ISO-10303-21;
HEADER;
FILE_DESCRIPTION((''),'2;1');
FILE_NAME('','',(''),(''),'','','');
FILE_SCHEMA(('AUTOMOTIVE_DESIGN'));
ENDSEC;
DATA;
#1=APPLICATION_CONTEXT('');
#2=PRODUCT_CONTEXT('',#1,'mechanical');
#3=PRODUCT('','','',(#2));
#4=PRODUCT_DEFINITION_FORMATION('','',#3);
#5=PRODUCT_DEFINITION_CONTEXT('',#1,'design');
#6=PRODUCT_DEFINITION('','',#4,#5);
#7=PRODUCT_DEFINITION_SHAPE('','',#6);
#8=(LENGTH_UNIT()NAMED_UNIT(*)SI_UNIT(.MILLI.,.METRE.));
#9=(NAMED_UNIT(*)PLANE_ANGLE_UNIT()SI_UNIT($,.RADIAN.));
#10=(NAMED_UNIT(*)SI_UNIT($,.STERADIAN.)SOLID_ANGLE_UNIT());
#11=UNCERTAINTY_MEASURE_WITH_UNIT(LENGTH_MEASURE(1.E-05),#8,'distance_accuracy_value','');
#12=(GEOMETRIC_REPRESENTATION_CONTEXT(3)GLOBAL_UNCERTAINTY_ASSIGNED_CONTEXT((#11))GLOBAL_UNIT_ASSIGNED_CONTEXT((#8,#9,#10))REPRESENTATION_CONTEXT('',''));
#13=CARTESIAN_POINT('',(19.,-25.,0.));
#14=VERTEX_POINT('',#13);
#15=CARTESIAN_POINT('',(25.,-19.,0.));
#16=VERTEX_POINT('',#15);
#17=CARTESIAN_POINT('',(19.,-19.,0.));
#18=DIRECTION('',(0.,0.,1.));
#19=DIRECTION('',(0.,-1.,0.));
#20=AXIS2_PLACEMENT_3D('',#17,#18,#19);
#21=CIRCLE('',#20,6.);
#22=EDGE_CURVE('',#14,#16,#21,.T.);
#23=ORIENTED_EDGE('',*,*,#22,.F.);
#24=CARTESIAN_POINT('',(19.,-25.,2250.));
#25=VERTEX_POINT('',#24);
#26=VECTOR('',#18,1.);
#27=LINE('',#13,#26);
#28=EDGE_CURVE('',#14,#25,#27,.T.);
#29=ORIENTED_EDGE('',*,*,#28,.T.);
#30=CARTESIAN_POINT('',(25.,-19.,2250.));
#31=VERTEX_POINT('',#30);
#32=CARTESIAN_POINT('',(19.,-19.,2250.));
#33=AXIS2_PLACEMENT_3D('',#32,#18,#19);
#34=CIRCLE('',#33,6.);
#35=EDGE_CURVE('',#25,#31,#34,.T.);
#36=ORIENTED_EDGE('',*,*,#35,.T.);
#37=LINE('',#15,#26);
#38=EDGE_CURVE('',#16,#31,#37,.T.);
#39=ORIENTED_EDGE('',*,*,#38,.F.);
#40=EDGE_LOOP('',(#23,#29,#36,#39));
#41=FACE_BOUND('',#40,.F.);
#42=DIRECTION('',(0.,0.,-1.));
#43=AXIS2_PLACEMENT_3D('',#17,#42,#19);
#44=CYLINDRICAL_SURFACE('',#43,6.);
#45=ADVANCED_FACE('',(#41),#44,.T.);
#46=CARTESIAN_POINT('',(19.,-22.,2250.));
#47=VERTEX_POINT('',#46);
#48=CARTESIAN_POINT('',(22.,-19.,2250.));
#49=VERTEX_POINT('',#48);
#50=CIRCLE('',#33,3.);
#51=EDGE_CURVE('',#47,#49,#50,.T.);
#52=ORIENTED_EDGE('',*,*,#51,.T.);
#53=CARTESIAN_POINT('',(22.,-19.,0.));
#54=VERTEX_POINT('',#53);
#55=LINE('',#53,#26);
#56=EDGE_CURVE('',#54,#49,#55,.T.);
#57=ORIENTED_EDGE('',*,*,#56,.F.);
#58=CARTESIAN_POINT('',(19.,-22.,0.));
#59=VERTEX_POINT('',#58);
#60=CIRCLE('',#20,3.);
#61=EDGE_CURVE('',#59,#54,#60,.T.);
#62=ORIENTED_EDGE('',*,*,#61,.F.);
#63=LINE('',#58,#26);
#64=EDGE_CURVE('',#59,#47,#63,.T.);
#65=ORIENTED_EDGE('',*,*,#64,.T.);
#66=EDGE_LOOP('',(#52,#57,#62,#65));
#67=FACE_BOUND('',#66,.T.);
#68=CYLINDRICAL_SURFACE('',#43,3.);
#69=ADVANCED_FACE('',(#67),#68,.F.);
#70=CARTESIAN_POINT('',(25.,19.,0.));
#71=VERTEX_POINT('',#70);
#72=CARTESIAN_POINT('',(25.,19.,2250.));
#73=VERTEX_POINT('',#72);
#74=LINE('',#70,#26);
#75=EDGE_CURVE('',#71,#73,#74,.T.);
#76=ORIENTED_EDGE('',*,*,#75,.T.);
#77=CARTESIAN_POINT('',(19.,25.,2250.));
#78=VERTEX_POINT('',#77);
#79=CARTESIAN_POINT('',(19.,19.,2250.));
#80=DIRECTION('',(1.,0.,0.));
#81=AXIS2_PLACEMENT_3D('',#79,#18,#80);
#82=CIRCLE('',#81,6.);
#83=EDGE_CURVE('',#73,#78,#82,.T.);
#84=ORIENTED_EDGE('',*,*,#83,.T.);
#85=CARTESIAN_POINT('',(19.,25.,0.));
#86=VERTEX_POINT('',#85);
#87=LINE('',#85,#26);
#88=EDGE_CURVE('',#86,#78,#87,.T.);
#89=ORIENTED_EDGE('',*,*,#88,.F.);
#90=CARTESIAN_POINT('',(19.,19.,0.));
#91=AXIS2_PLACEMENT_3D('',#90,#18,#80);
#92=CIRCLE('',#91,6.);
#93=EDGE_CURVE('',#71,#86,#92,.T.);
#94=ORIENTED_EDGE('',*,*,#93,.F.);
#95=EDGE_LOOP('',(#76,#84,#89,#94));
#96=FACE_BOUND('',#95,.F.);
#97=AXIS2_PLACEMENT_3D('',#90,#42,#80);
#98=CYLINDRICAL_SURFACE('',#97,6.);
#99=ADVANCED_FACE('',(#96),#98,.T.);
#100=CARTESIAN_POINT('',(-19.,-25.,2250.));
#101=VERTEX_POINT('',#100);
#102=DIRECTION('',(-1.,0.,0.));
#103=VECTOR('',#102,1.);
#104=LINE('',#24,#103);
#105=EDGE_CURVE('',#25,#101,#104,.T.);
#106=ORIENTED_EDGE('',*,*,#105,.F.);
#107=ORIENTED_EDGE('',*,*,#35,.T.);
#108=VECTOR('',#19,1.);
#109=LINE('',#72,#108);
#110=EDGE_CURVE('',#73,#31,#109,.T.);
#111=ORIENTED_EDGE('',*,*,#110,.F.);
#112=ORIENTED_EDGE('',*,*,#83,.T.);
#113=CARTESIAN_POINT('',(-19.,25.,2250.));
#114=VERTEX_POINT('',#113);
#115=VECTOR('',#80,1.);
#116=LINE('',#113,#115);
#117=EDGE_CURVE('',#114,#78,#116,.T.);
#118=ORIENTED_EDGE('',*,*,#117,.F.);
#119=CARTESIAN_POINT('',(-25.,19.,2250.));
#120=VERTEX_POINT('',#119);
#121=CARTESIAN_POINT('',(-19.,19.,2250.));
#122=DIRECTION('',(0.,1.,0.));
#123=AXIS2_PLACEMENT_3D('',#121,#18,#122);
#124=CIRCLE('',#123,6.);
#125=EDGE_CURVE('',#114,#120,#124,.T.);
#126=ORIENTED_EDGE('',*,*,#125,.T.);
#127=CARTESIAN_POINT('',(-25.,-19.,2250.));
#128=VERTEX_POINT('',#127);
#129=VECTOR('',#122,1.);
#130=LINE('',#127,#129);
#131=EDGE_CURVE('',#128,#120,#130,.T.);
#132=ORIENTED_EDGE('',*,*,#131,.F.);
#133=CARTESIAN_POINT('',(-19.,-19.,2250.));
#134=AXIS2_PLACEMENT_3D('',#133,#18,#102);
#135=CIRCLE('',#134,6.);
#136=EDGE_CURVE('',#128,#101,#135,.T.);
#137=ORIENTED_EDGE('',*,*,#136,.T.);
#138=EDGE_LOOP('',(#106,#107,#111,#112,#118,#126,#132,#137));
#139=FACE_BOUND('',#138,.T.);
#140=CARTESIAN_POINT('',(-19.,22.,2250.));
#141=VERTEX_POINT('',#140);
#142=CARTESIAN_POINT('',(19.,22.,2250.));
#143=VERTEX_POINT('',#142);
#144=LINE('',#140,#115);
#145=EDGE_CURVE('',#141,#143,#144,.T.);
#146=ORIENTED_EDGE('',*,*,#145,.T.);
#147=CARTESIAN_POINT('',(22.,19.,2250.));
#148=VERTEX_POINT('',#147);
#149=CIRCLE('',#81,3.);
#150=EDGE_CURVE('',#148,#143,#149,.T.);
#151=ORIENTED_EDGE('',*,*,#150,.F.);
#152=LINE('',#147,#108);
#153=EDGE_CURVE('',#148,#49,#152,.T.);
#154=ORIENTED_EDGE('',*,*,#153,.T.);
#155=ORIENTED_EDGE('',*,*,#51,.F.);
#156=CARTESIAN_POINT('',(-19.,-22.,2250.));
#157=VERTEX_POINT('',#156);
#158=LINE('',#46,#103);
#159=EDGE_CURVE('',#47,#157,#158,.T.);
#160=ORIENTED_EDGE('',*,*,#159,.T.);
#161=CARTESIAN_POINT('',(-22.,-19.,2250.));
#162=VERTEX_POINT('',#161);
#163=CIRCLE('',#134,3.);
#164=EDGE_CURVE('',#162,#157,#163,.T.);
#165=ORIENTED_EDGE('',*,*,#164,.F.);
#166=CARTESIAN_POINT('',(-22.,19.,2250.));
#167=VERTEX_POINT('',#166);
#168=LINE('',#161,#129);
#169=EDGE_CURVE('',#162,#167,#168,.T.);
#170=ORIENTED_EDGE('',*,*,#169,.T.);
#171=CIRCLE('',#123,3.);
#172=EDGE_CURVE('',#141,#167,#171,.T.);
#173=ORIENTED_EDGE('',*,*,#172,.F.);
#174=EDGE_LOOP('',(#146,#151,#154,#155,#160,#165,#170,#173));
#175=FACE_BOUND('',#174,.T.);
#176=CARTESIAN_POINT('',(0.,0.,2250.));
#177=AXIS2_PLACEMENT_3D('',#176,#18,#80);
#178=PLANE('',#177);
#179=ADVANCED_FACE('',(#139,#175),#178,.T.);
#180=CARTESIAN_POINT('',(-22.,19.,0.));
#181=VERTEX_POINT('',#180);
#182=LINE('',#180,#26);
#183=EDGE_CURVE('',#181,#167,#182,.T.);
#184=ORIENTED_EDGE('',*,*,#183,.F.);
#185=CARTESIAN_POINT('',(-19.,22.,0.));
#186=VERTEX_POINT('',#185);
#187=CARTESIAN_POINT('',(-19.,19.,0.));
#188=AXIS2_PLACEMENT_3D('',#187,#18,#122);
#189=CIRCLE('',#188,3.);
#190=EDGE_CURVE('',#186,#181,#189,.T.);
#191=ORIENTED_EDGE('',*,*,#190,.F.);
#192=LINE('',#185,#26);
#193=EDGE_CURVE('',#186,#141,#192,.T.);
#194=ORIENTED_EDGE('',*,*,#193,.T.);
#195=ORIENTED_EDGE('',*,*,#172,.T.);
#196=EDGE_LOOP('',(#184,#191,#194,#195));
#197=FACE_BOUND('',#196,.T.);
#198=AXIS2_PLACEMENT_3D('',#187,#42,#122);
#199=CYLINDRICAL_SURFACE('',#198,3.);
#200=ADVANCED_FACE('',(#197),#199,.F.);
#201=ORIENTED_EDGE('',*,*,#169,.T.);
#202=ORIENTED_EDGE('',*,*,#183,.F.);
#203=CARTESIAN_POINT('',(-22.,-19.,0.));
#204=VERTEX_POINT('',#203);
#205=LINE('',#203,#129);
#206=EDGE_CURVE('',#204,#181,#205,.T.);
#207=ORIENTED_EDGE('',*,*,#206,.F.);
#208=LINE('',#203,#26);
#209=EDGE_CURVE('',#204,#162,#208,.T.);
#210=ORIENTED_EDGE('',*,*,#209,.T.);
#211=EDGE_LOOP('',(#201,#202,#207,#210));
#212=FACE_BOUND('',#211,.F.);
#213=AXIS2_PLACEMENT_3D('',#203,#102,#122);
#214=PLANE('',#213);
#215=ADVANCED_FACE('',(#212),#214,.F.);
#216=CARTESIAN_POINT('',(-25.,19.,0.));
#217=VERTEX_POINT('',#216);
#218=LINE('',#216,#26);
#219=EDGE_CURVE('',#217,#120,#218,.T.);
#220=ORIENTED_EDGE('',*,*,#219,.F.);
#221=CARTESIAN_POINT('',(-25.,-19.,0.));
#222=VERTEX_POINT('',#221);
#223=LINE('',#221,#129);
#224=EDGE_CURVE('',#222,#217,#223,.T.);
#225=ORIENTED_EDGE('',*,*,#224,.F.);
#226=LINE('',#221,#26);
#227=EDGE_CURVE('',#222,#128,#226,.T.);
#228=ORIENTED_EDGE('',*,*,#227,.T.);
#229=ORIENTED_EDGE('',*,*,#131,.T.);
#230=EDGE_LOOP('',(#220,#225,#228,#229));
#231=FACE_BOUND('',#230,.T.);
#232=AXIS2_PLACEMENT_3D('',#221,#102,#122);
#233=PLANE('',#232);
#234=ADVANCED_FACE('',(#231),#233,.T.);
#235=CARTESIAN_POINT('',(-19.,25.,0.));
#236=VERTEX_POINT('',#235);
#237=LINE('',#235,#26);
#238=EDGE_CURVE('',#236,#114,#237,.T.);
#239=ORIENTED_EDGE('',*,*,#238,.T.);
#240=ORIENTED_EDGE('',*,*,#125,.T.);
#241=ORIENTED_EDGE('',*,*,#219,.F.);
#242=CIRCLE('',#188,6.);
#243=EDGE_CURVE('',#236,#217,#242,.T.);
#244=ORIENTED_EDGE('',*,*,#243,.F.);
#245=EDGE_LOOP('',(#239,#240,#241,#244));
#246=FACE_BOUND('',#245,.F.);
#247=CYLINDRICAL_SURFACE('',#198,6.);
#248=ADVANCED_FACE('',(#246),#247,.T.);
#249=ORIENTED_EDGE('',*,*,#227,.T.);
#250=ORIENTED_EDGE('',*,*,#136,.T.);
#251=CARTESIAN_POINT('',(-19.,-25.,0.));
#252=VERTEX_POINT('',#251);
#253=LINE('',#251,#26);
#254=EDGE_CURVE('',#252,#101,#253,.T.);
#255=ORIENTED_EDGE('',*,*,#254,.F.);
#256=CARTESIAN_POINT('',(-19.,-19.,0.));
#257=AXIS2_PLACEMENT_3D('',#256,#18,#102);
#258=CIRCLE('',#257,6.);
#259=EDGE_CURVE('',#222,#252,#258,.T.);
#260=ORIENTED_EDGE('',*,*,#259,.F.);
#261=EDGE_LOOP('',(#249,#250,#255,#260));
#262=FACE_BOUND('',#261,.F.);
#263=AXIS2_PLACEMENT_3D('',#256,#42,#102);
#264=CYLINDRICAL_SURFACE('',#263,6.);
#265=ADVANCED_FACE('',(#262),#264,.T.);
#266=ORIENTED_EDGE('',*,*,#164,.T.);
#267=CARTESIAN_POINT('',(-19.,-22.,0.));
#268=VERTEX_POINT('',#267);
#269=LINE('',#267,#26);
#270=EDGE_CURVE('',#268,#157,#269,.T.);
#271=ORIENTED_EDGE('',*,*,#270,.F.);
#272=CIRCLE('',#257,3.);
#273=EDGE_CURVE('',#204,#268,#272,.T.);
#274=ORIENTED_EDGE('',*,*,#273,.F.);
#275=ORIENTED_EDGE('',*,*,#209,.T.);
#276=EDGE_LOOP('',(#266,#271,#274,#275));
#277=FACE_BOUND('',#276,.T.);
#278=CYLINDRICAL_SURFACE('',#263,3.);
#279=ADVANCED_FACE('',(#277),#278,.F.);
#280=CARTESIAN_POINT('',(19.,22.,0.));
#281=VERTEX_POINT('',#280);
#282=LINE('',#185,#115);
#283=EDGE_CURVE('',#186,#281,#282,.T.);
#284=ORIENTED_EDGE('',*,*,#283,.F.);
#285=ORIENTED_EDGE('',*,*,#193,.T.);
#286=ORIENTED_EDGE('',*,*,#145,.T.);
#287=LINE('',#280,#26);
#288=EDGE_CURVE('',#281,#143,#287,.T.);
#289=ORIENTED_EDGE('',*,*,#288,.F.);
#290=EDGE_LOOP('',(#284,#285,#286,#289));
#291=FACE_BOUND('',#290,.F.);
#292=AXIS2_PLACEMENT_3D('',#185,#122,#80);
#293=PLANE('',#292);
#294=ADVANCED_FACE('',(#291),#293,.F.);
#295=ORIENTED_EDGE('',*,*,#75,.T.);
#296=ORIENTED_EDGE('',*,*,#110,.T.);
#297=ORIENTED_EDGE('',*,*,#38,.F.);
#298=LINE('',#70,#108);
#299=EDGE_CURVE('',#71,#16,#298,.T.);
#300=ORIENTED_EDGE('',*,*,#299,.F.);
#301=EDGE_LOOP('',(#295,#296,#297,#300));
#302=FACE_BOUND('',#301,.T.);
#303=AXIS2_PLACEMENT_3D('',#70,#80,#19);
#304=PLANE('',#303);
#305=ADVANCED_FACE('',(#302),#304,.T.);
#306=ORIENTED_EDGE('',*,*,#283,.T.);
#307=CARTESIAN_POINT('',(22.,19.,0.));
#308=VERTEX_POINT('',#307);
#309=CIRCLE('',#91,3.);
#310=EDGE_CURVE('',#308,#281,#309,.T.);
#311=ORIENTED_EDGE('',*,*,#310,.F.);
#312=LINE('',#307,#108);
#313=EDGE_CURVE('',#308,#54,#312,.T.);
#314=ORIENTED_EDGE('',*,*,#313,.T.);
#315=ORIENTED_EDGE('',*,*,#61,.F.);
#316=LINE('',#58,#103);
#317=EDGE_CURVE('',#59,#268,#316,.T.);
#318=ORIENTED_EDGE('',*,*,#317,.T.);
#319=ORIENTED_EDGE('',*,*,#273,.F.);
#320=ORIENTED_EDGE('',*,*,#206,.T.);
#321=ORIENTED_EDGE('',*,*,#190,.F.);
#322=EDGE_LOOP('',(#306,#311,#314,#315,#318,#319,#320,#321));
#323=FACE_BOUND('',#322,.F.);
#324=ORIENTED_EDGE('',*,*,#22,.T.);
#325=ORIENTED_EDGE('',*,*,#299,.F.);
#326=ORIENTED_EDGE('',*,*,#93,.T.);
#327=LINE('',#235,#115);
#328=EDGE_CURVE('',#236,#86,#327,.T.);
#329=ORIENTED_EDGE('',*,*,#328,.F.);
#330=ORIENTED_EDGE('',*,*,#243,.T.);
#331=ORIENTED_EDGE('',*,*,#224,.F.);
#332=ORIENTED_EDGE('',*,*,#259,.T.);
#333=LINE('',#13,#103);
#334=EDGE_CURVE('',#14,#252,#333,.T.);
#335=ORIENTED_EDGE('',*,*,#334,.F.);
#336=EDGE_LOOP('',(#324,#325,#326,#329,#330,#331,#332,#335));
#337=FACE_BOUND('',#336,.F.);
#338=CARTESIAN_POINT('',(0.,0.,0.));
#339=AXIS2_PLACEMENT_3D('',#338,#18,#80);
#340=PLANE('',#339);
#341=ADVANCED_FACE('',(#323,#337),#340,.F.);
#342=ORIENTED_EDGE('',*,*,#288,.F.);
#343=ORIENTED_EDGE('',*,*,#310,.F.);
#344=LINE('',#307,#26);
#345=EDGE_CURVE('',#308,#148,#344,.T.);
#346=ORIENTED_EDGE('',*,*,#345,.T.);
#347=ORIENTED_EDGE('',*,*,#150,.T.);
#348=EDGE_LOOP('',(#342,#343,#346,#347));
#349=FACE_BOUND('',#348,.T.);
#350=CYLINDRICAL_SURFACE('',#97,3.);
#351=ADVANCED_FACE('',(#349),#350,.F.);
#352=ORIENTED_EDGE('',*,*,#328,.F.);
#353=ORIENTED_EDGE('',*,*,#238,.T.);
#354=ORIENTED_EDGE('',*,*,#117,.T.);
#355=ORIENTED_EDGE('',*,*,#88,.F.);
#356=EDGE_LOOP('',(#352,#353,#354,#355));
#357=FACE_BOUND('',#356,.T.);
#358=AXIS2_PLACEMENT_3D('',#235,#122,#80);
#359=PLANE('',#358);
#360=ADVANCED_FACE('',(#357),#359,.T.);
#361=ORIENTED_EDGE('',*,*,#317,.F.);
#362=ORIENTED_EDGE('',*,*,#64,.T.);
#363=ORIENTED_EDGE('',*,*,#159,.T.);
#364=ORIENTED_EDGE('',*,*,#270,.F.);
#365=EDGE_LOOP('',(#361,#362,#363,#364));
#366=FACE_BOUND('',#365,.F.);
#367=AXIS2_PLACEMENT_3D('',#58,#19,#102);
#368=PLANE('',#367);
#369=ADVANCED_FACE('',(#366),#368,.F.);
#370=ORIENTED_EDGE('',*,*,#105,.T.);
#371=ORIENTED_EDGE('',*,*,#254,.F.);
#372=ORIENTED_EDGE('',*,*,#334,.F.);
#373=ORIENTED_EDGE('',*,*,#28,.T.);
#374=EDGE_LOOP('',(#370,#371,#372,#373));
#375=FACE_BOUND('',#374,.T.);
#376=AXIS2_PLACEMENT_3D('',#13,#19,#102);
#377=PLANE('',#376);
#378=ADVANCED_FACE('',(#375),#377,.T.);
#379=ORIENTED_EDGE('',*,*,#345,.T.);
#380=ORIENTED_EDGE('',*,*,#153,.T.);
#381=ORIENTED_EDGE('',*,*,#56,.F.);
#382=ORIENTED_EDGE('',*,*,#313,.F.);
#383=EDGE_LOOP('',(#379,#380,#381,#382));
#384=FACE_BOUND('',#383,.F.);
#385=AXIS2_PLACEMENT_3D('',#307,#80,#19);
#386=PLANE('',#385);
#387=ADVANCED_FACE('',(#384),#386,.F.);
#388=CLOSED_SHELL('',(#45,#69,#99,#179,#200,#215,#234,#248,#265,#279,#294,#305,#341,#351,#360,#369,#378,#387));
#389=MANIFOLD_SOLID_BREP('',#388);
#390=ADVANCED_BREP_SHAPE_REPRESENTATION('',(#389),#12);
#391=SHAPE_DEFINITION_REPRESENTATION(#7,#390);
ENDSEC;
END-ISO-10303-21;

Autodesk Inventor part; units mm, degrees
ref_plane "YZ Plane" through (0, 0, 0) normal (1, 0, 0) x (0, 1, 0)
ref_plane "Start Plane" through (0, 0, 0) normal (0, 0, 1) x (1, 0, 0)
ref_plane "End Plane" through (0, 0, 2250) normal (0, 0, 1) x (1, 0, 0)
sketch "Sketch" plane through (0, 0, 0) normal (0, 0, 1) x (1, 0, 0)
  line L0 (-25, -19) -> (-25, 19)
  line L1 (-19, 25) -> (19, 25)
  line L2 (25, 19) -> (25, -19)
  line L3 (19, -25) -> (-19, -25)
  arc A0 (-25, -19) -> (-19, -25) centre (-19, -19) ccw
  arc A1 (25, 19) -> (19, 25) centre (19, 19) ccw
  arc A2 (-19, 25) -> (-25, 19) centre (-19, 19) ccw
  arc A3 (19, -25) -> (25, -19) centre (19, -19) ccw
  arc A4 (-19, 22) -> (-22, 19) centre (-19, 19) ccw
  line L4 (-19, 22) -> (19, 22)
  arc A5 (22, 19) -> (19, 22) centre (19, 19) ccw
  line L5 (22, 19) -> (22, -19)
  arc A6 (19, -22) -> (22, -19) centre (19, -19) ccw
  line L6 (19, -22) -> (-19, -22)
  arc A7 (-22, -19) -> (-19, -22) centre (-19, -19) ccw
  line L7 (-22, -19) -> (-22, 19)
  line L8 (0, 36.7397) -> (0, -36.7397) construction
  line L9 (-36.7397, 0) -> (36.7397, 0) construction
  dimension "d7" = 6
  dimension "d9" = 50
  dimension "d11" = 50
  dimension "d12" = 3
  dimension "d15" = 25
  dimension "d16" = 25
extrude "Body" add sketch "Sketch" along normal up to surface (2250 mm away) from surface at 0
sketch "Sketch3" plane through (0, 0, 0) normal (0, 0, 1) x (1, 0, 0)
  line L0 (0, 0) -> (10, 0)
ref_plane "Work Plane3" through (0, 0, 0) normal (0, -1, 0) x (1, 0, 0)
sketch "Sketch4" plane through (0, 0, 0) normal (0, -1, 0) x (1, 0, 0)
  line L0 (-2, 0) -> (12, 0) projected
  line L1 (-2, 2250) -> (12, 2250) projected
  dimension "d18" = 2250
equation "\"d7\" = G_IR"
equation "\"d9\" = G_W"
equation "\"d11\" = G_H"
equation "\"d12\" = G_T"
equation "\"d15\" = 0.5 * d9"
equation "\"d16\" = 0.5 * d11"
equation "\"d3\" = G_L"
equation "\"G_W\" = 50"
equation "\"G_H\" = 50"
equation "\"G_T\" = 3"
equation "\"G_IR\" = 6"
equation "\"G_L\" = d18"
equation "\"G_OFFSET_START\" = 0"
equation "\"G_OFFSET_END\" = 0"
properties part number "ISO 10799-2 - 50x50x3 - 2250" material "Steel, Mild"
